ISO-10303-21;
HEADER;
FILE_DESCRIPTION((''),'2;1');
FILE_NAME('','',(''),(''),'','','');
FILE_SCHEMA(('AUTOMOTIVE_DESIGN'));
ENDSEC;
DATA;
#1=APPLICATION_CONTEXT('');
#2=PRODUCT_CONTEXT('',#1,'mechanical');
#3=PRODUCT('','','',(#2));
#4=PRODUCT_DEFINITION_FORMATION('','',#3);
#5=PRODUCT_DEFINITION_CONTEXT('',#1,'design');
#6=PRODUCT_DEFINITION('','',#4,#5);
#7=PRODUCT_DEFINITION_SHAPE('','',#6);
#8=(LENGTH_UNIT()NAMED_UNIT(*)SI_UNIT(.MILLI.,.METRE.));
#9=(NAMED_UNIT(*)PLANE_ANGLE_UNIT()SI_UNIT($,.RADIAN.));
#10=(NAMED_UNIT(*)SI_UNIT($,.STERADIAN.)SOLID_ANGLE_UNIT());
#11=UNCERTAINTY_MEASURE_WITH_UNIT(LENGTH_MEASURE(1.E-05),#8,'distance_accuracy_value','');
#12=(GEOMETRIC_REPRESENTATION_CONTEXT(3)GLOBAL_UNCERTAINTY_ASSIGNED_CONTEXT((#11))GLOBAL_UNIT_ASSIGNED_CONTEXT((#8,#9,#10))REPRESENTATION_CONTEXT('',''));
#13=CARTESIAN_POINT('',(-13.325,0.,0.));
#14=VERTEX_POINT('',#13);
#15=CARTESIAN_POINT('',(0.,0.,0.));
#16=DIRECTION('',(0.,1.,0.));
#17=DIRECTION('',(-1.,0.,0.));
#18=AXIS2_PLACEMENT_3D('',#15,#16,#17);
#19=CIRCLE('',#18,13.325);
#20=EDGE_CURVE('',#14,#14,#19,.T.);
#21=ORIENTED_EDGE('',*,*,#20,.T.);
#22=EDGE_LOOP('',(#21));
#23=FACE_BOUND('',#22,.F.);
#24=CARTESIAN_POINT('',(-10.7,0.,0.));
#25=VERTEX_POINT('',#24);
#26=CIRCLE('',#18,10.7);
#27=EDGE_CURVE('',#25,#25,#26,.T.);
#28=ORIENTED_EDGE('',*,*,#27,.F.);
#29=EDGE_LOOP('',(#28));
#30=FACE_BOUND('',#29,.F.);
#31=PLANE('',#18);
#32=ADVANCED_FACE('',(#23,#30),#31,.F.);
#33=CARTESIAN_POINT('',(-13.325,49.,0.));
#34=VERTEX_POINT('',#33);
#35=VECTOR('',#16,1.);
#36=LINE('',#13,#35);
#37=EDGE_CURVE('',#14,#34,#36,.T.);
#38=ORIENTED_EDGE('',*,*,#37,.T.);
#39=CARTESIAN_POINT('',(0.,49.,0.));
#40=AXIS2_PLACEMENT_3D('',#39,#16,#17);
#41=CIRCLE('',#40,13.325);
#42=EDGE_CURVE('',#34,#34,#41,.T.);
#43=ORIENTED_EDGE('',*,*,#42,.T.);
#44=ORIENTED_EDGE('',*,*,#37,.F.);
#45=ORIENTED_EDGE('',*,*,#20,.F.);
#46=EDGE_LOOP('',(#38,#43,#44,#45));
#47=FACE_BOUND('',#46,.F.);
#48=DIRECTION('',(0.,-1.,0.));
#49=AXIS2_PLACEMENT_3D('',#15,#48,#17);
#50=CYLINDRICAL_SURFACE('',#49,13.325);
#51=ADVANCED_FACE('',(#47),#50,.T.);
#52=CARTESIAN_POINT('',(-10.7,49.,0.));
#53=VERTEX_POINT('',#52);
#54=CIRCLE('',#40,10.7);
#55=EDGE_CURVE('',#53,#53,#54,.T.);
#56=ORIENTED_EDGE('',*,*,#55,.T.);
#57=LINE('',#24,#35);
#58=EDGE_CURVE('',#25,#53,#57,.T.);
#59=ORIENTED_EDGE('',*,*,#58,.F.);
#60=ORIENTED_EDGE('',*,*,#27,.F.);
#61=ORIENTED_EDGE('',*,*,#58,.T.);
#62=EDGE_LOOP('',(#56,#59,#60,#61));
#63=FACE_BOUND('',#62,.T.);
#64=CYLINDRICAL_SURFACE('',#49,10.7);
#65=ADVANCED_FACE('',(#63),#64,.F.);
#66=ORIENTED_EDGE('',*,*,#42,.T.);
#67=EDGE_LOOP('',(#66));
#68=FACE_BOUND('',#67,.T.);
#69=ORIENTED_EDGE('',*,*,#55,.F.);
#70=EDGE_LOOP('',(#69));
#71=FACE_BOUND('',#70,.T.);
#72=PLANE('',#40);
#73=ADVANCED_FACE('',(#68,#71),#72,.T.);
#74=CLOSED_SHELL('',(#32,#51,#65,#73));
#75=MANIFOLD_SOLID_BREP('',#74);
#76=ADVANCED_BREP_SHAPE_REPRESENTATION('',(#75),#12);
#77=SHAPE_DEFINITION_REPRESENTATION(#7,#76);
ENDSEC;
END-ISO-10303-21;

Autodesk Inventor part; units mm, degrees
ref_plane "YZ Plane" through (0, 0, 0) normal (1, 0, 0) x (0, 1, 0)
ref_plane "XZ Plane" through (0, 0, 0) normal (0, 1, 0) x (-1, 0, 0)
ref_plane "XY Plane" through (0, 0, 0) normal (0, 0, 1) x (1, 0, 0)
sketch "Boceto2" plane through (0, 0, 0) normal (0, 1, 0) x (-1, 0, 0)
  circle A0 centre (0, 0) radius 13.325
  circle A1 centre (0, 0) radius 10.7
  dimension "d1" = 26.65
  dimension "d2" = 21.4
extrude "Extrusión1" add sketch "Boceto2" along normal blind 49
properties part number "Tubo 34 49mm"
